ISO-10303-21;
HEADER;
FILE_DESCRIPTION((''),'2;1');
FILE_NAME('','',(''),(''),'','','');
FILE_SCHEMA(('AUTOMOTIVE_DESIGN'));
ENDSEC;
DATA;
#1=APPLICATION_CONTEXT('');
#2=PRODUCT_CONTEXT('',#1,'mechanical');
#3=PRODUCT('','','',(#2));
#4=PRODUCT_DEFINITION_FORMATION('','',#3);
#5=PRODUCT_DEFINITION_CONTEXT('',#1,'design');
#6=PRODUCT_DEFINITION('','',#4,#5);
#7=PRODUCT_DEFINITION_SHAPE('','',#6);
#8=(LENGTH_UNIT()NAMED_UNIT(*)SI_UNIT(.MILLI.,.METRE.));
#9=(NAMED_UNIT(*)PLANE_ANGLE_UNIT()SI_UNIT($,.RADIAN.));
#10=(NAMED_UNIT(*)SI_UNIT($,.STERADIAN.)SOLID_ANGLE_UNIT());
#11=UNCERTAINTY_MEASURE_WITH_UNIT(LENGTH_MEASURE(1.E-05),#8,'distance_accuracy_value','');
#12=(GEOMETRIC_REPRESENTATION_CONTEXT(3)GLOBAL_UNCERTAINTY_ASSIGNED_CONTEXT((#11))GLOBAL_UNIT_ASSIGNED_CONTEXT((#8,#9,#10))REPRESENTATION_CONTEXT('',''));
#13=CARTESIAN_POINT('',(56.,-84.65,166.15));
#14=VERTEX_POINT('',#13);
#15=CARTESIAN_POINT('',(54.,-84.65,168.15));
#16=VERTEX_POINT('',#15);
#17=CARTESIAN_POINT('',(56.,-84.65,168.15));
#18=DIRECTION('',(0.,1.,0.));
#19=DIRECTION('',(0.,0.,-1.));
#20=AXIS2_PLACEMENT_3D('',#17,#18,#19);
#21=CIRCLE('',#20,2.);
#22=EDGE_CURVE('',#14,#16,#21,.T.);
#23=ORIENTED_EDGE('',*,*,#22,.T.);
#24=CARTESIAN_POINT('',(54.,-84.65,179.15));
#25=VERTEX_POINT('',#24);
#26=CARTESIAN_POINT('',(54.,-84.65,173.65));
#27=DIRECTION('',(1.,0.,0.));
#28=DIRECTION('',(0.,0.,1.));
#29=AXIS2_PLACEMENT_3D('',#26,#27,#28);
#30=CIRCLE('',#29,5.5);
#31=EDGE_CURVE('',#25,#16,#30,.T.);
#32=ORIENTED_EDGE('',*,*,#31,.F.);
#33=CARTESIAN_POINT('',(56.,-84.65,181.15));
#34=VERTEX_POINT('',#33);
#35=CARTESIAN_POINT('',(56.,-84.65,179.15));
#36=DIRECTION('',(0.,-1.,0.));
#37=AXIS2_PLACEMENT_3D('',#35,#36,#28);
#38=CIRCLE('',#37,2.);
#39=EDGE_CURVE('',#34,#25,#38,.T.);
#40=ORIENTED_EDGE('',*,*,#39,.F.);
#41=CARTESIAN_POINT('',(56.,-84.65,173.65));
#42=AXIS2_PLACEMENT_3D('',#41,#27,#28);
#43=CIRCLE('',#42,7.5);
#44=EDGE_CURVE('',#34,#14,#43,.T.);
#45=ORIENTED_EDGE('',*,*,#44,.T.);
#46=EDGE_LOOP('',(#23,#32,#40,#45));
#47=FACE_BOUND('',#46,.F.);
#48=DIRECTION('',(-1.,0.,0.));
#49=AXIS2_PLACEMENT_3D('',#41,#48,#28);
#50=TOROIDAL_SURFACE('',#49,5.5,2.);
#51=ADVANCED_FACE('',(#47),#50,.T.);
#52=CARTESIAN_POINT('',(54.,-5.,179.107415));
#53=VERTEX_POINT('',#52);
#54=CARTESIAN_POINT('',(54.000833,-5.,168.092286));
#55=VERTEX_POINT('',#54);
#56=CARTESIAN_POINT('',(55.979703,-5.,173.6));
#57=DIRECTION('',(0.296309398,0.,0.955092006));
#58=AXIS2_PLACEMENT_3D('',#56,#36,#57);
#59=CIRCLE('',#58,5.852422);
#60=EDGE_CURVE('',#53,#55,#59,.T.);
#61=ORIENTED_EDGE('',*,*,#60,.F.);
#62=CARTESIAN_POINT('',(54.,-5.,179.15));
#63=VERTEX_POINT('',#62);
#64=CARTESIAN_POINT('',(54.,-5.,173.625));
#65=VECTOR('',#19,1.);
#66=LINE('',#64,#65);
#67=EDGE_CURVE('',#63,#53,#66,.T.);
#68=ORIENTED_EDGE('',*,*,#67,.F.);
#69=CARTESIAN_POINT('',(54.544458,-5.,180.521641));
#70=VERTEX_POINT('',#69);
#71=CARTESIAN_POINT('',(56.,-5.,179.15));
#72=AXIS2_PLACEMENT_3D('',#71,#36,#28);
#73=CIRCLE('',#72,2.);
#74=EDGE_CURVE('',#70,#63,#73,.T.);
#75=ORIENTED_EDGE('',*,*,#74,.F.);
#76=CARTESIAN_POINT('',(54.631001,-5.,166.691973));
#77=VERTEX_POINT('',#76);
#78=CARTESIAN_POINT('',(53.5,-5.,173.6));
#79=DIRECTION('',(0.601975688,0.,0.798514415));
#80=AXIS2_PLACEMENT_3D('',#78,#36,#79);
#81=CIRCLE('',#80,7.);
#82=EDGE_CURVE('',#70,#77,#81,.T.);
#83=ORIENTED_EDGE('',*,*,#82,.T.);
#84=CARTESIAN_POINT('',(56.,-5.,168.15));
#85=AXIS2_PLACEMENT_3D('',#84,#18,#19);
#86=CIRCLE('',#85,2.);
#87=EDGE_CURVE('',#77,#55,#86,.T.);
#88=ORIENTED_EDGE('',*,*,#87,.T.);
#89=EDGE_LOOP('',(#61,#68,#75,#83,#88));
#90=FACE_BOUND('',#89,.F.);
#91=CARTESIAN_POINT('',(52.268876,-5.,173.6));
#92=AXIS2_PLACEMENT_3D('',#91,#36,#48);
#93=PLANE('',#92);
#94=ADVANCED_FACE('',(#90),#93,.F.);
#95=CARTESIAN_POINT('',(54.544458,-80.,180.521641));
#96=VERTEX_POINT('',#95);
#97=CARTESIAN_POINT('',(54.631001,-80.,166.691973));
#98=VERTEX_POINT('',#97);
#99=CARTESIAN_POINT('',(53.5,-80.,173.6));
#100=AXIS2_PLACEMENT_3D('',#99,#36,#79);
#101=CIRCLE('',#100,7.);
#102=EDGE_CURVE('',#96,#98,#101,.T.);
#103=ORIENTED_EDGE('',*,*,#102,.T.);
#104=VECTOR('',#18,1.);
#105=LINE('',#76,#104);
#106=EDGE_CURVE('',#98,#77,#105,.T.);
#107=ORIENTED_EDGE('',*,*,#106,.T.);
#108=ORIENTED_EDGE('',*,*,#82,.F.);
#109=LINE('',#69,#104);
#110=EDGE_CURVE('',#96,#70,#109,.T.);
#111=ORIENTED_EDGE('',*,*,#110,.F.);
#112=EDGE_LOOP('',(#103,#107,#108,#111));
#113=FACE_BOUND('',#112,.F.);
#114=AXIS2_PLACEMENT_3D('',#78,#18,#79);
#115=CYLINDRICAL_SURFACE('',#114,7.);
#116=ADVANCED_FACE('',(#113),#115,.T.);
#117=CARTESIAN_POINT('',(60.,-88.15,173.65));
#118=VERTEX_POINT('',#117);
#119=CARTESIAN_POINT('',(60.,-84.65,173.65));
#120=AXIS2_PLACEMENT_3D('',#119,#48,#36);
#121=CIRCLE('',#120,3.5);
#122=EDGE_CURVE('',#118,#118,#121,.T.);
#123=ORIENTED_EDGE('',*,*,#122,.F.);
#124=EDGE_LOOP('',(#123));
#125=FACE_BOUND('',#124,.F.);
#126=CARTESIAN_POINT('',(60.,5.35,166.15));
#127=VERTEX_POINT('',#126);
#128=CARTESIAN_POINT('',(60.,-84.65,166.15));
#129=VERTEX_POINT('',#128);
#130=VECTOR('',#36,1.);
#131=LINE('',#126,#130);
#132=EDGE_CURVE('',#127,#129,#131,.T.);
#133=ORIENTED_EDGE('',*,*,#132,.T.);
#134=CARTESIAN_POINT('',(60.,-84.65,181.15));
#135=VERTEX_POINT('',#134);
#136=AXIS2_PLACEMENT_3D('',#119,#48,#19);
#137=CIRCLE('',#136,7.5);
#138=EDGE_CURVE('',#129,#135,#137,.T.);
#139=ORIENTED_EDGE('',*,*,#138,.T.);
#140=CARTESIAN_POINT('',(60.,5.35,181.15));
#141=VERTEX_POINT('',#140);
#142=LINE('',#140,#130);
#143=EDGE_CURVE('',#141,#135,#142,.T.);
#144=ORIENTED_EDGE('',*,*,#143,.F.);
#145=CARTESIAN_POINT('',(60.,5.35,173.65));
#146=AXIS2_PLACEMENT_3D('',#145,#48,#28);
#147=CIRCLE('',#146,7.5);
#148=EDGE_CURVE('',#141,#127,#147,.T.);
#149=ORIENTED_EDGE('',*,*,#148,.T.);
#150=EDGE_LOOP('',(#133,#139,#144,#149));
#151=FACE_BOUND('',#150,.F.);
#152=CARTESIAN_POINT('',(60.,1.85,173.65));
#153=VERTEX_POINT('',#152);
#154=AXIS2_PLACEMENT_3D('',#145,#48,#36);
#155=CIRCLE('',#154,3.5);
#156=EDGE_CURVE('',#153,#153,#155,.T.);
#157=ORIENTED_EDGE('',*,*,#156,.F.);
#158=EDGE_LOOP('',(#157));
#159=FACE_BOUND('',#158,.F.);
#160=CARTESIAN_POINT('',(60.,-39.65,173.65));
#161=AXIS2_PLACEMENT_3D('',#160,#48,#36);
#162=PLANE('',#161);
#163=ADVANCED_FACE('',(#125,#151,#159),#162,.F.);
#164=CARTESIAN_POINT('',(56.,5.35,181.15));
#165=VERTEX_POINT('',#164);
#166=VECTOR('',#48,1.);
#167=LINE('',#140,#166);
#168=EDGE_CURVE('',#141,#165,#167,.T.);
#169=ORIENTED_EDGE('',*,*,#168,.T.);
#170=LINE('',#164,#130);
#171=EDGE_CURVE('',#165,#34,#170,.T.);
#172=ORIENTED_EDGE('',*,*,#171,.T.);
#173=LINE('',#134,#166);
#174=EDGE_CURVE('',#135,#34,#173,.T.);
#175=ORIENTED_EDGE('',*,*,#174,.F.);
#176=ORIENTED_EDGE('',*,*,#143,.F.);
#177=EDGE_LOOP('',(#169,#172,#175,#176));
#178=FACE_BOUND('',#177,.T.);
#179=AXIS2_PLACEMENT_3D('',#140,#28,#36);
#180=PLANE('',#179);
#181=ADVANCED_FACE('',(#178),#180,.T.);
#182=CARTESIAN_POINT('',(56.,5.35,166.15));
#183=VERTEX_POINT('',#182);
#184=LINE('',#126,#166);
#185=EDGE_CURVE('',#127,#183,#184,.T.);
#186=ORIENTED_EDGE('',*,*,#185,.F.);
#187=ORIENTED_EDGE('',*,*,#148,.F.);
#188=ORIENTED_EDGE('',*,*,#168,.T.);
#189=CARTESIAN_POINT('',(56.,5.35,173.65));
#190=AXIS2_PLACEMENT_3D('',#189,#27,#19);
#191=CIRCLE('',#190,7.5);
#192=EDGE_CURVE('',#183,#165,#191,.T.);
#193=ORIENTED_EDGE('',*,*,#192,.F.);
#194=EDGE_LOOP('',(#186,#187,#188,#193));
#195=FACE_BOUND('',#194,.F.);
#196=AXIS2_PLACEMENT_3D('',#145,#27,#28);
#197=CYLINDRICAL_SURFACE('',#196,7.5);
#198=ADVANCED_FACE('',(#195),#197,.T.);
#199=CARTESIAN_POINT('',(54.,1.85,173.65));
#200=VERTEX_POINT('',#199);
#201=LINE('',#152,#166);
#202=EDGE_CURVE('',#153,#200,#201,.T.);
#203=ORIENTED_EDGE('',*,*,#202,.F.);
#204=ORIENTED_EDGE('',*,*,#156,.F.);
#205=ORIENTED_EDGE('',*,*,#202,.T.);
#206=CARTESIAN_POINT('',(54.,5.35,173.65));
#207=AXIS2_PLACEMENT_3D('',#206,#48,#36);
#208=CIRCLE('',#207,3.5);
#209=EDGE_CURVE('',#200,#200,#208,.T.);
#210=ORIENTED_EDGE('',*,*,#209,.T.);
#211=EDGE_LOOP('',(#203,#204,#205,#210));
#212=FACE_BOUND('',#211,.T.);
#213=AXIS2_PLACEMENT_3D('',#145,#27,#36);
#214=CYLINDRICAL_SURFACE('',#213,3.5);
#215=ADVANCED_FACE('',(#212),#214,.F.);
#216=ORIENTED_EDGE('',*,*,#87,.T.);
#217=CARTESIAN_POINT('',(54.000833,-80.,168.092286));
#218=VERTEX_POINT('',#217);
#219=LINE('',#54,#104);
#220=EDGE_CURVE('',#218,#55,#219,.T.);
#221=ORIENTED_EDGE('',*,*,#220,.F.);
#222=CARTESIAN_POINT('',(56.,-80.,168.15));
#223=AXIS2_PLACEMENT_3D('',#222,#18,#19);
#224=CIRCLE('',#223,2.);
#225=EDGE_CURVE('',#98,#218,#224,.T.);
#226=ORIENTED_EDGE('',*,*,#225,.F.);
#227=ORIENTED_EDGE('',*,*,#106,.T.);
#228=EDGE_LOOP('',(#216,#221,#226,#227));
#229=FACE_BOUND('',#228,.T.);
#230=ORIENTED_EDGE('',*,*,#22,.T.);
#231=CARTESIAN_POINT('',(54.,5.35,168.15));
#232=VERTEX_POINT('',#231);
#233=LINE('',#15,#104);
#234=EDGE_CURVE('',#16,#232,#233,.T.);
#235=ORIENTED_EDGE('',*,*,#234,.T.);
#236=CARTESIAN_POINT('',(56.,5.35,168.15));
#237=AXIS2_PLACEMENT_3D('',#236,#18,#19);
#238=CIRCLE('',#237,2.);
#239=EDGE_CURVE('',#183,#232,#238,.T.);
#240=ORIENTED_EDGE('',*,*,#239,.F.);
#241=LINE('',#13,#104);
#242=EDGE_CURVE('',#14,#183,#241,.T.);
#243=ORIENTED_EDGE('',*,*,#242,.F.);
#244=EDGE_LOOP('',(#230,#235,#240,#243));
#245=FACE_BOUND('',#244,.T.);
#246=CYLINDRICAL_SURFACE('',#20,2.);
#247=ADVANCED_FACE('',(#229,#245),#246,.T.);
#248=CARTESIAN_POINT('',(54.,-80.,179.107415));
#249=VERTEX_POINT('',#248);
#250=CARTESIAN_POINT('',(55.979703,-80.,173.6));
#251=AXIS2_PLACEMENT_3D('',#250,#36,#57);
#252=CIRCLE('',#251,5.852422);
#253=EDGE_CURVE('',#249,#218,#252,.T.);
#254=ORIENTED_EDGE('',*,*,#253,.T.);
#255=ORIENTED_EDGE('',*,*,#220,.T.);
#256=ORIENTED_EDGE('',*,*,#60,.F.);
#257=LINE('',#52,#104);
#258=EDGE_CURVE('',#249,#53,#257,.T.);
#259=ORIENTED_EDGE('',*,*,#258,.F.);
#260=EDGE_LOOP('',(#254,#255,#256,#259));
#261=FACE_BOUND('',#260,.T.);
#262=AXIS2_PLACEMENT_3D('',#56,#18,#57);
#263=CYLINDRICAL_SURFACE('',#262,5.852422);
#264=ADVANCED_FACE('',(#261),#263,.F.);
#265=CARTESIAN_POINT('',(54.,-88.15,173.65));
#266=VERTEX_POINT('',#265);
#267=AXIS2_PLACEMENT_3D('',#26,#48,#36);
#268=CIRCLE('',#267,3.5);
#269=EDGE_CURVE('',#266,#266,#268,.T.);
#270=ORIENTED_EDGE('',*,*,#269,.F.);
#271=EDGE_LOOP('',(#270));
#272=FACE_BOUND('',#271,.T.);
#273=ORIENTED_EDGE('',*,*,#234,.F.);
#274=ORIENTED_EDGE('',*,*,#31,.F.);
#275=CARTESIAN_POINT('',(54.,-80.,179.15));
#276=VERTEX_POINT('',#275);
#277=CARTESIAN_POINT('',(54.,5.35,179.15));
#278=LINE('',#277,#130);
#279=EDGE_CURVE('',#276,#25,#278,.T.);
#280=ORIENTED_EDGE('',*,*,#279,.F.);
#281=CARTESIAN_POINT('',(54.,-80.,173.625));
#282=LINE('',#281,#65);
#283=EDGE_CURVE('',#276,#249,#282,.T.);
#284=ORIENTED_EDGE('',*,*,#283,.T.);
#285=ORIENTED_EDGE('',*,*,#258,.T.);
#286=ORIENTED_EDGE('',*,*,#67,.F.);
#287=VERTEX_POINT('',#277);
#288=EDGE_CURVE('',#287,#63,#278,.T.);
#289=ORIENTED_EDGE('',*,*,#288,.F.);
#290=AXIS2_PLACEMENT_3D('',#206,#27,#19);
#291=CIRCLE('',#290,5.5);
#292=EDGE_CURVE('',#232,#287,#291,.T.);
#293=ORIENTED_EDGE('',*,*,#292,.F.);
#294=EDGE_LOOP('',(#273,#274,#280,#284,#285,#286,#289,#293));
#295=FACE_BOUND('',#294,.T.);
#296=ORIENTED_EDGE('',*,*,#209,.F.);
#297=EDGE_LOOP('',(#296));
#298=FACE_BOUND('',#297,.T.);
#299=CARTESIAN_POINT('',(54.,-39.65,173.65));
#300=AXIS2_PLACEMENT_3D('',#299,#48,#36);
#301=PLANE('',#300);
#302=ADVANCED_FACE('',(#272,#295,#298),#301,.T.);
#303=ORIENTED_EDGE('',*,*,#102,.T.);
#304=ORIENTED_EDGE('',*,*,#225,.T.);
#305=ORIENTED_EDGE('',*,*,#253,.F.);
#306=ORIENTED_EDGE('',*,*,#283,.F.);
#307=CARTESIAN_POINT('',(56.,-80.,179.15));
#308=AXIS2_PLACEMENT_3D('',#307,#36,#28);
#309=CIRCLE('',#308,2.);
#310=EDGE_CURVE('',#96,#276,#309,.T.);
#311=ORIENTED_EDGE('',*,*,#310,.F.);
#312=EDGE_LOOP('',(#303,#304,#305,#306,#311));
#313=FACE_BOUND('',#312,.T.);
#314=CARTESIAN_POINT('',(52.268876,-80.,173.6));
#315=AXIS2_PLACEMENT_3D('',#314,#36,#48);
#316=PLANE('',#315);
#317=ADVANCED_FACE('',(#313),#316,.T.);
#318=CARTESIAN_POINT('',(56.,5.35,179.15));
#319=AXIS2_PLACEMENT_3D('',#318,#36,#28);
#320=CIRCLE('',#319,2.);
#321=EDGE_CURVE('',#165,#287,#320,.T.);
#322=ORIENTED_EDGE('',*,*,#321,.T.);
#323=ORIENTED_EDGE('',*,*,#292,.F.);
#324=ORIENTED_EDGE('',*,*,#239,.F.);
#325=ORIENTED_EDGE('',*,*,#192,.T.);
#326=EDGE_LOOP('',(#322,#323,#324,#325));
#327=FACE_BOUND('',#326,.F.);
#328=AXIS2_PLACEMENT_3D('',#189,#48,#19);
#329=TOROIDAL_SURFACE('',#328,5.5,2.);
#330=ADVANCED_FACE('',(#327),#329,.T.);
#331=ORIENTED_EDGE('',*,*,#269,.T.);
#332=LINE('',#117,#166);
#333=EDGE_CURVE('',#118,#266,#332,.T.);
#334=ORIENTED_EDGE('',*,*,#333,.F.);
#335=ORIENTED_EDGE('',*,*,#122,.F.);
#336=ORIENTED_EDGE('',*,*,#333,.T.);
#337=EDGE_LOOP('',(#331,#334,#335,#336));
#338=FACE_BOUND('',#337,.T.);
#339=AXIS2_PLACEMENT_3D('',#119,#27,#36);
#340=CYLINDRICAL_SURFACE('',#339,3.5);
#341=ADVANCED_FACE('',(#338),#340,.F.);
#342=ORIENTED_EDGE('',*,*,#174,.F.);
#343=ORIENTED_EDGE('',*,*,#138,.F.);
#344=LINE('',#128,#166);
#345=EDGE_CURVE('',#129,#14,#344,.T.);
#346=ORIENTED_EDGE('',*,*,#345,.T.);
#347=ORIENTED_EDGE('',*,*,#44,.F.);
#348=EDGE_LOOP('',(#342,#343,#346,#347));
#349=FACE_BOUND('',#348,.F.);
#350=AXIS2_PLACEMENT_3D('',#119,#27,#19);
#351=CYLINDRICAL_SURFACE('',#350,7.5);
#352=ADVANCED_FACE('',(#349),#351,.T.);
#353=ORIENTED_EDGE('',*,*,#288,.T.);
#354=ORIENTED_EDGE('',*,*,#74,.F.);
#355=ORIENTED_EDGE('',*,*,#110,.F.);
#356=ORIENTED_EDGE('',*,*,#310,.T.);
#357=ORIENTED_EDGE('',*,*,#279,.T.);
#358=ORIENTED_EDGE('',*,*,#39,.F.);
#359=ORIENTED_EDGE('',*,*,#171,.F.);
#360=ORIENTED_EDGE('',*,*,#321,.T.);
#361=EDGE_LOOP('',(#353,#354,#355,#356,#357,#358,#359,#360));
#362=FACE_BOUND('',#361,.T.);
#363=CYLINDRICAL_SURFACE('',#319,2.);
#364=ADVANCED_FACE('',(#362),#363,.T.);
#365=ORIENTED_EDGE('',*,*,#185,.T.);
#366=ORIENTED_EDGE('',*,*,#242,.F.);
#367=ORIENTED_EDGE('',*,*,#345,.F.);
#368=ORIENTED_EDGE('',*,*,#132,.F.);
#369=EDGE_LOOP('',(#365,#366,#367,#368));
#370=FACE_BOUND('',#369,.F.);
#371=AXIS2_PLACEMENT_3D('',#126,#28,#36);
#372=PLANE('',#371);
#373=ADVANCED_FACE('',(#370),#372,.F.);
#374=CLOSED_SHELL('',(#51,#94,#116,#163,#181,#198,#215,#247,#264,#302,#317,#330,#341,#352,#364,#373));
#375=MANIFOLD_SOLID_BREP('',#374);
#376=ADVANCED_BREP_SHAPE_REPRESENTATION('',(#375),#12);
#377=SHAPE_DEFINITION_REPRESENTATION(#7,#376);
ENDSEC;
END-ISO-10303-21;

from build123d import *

# Parameters (mm, degrees)
SKETCH010_R                = 3.5
EXTRUDE009_DEPTH           = 6
FILLET001_R                = 2
EXTRUDE023_DEPTH           = 75
EXTRUDE023_PLACEMENT_ANGLE = 180


with BuildPart() as palo_3_hombro:
    # Sketch010 → Extrude009 (new body)
    with BuildSketch(Plane(origin=(0, 0, 0), x_dir=(0, -1, 0), z_dir=(-1, 0, 0))):
        with BuildLine():
            ThreePointArc((0, 7.5), (-7.5, 0), (0, -7.5))
            Line((0, -7.5), (90, -7.5))
            ThreePointArc((90, -7.5), (97.5, 0), (90, 7.5))
            Line((0, 7.5), (90, 7.5))
        make_face()
        Circle(SKETCH010_R, mode=Mode.SUBTRACT)
        with Locations((90, 0)):
            Circle(SKETCH010_R, mode=Mode.SUBTRACT)
    extrude(amount=EXTRUDE009_DEPTH)


with BuildPart() as palo_3_hombro_1:
    # Extrude009 placement: moved
    add(palo_3_hombro.part.moved(Location((60, 5.35, 173.65))))

    # Fillet001
    fillet001_edges = [palo_3_hombro_1.edges().sort_by_distance(p)[0] for p in [
        (54, -39.65, 181.15),
    ]]
    fillet(fillet001_edges, radius=FILLET001_R)


with BuildPart() as fusion028:
    # Sketch024 → Extrude023 (new body)
    with BuildSketch(Plane.XZ):
        with BuildLine():
            ThreePointArc((-4.21383, -5.589601), (7, 0), (-4.21383, 5.589601))
            ThreePointArc((-4.21383, -5.589601), (3.372719, 0), (-4.21383, 5.589601))
        make_face()
    extrude(amount=EXTRUDE023_DEPTH)


with BuildPart() as fusion028_1:
    # Extrude023 placement: moved
    add(fusion028.part.moved(Location((53.5, -5, 173.6))).rotate(Axis((53.5, -5, 173.6), (0, 1, 0)), EXTRUDE023_PLACEMENT_ANGLE))

    # Fusion028: union palo 3 hombro
    add(palo_3_hombro_1.part)


solid = fusion028_1.part
